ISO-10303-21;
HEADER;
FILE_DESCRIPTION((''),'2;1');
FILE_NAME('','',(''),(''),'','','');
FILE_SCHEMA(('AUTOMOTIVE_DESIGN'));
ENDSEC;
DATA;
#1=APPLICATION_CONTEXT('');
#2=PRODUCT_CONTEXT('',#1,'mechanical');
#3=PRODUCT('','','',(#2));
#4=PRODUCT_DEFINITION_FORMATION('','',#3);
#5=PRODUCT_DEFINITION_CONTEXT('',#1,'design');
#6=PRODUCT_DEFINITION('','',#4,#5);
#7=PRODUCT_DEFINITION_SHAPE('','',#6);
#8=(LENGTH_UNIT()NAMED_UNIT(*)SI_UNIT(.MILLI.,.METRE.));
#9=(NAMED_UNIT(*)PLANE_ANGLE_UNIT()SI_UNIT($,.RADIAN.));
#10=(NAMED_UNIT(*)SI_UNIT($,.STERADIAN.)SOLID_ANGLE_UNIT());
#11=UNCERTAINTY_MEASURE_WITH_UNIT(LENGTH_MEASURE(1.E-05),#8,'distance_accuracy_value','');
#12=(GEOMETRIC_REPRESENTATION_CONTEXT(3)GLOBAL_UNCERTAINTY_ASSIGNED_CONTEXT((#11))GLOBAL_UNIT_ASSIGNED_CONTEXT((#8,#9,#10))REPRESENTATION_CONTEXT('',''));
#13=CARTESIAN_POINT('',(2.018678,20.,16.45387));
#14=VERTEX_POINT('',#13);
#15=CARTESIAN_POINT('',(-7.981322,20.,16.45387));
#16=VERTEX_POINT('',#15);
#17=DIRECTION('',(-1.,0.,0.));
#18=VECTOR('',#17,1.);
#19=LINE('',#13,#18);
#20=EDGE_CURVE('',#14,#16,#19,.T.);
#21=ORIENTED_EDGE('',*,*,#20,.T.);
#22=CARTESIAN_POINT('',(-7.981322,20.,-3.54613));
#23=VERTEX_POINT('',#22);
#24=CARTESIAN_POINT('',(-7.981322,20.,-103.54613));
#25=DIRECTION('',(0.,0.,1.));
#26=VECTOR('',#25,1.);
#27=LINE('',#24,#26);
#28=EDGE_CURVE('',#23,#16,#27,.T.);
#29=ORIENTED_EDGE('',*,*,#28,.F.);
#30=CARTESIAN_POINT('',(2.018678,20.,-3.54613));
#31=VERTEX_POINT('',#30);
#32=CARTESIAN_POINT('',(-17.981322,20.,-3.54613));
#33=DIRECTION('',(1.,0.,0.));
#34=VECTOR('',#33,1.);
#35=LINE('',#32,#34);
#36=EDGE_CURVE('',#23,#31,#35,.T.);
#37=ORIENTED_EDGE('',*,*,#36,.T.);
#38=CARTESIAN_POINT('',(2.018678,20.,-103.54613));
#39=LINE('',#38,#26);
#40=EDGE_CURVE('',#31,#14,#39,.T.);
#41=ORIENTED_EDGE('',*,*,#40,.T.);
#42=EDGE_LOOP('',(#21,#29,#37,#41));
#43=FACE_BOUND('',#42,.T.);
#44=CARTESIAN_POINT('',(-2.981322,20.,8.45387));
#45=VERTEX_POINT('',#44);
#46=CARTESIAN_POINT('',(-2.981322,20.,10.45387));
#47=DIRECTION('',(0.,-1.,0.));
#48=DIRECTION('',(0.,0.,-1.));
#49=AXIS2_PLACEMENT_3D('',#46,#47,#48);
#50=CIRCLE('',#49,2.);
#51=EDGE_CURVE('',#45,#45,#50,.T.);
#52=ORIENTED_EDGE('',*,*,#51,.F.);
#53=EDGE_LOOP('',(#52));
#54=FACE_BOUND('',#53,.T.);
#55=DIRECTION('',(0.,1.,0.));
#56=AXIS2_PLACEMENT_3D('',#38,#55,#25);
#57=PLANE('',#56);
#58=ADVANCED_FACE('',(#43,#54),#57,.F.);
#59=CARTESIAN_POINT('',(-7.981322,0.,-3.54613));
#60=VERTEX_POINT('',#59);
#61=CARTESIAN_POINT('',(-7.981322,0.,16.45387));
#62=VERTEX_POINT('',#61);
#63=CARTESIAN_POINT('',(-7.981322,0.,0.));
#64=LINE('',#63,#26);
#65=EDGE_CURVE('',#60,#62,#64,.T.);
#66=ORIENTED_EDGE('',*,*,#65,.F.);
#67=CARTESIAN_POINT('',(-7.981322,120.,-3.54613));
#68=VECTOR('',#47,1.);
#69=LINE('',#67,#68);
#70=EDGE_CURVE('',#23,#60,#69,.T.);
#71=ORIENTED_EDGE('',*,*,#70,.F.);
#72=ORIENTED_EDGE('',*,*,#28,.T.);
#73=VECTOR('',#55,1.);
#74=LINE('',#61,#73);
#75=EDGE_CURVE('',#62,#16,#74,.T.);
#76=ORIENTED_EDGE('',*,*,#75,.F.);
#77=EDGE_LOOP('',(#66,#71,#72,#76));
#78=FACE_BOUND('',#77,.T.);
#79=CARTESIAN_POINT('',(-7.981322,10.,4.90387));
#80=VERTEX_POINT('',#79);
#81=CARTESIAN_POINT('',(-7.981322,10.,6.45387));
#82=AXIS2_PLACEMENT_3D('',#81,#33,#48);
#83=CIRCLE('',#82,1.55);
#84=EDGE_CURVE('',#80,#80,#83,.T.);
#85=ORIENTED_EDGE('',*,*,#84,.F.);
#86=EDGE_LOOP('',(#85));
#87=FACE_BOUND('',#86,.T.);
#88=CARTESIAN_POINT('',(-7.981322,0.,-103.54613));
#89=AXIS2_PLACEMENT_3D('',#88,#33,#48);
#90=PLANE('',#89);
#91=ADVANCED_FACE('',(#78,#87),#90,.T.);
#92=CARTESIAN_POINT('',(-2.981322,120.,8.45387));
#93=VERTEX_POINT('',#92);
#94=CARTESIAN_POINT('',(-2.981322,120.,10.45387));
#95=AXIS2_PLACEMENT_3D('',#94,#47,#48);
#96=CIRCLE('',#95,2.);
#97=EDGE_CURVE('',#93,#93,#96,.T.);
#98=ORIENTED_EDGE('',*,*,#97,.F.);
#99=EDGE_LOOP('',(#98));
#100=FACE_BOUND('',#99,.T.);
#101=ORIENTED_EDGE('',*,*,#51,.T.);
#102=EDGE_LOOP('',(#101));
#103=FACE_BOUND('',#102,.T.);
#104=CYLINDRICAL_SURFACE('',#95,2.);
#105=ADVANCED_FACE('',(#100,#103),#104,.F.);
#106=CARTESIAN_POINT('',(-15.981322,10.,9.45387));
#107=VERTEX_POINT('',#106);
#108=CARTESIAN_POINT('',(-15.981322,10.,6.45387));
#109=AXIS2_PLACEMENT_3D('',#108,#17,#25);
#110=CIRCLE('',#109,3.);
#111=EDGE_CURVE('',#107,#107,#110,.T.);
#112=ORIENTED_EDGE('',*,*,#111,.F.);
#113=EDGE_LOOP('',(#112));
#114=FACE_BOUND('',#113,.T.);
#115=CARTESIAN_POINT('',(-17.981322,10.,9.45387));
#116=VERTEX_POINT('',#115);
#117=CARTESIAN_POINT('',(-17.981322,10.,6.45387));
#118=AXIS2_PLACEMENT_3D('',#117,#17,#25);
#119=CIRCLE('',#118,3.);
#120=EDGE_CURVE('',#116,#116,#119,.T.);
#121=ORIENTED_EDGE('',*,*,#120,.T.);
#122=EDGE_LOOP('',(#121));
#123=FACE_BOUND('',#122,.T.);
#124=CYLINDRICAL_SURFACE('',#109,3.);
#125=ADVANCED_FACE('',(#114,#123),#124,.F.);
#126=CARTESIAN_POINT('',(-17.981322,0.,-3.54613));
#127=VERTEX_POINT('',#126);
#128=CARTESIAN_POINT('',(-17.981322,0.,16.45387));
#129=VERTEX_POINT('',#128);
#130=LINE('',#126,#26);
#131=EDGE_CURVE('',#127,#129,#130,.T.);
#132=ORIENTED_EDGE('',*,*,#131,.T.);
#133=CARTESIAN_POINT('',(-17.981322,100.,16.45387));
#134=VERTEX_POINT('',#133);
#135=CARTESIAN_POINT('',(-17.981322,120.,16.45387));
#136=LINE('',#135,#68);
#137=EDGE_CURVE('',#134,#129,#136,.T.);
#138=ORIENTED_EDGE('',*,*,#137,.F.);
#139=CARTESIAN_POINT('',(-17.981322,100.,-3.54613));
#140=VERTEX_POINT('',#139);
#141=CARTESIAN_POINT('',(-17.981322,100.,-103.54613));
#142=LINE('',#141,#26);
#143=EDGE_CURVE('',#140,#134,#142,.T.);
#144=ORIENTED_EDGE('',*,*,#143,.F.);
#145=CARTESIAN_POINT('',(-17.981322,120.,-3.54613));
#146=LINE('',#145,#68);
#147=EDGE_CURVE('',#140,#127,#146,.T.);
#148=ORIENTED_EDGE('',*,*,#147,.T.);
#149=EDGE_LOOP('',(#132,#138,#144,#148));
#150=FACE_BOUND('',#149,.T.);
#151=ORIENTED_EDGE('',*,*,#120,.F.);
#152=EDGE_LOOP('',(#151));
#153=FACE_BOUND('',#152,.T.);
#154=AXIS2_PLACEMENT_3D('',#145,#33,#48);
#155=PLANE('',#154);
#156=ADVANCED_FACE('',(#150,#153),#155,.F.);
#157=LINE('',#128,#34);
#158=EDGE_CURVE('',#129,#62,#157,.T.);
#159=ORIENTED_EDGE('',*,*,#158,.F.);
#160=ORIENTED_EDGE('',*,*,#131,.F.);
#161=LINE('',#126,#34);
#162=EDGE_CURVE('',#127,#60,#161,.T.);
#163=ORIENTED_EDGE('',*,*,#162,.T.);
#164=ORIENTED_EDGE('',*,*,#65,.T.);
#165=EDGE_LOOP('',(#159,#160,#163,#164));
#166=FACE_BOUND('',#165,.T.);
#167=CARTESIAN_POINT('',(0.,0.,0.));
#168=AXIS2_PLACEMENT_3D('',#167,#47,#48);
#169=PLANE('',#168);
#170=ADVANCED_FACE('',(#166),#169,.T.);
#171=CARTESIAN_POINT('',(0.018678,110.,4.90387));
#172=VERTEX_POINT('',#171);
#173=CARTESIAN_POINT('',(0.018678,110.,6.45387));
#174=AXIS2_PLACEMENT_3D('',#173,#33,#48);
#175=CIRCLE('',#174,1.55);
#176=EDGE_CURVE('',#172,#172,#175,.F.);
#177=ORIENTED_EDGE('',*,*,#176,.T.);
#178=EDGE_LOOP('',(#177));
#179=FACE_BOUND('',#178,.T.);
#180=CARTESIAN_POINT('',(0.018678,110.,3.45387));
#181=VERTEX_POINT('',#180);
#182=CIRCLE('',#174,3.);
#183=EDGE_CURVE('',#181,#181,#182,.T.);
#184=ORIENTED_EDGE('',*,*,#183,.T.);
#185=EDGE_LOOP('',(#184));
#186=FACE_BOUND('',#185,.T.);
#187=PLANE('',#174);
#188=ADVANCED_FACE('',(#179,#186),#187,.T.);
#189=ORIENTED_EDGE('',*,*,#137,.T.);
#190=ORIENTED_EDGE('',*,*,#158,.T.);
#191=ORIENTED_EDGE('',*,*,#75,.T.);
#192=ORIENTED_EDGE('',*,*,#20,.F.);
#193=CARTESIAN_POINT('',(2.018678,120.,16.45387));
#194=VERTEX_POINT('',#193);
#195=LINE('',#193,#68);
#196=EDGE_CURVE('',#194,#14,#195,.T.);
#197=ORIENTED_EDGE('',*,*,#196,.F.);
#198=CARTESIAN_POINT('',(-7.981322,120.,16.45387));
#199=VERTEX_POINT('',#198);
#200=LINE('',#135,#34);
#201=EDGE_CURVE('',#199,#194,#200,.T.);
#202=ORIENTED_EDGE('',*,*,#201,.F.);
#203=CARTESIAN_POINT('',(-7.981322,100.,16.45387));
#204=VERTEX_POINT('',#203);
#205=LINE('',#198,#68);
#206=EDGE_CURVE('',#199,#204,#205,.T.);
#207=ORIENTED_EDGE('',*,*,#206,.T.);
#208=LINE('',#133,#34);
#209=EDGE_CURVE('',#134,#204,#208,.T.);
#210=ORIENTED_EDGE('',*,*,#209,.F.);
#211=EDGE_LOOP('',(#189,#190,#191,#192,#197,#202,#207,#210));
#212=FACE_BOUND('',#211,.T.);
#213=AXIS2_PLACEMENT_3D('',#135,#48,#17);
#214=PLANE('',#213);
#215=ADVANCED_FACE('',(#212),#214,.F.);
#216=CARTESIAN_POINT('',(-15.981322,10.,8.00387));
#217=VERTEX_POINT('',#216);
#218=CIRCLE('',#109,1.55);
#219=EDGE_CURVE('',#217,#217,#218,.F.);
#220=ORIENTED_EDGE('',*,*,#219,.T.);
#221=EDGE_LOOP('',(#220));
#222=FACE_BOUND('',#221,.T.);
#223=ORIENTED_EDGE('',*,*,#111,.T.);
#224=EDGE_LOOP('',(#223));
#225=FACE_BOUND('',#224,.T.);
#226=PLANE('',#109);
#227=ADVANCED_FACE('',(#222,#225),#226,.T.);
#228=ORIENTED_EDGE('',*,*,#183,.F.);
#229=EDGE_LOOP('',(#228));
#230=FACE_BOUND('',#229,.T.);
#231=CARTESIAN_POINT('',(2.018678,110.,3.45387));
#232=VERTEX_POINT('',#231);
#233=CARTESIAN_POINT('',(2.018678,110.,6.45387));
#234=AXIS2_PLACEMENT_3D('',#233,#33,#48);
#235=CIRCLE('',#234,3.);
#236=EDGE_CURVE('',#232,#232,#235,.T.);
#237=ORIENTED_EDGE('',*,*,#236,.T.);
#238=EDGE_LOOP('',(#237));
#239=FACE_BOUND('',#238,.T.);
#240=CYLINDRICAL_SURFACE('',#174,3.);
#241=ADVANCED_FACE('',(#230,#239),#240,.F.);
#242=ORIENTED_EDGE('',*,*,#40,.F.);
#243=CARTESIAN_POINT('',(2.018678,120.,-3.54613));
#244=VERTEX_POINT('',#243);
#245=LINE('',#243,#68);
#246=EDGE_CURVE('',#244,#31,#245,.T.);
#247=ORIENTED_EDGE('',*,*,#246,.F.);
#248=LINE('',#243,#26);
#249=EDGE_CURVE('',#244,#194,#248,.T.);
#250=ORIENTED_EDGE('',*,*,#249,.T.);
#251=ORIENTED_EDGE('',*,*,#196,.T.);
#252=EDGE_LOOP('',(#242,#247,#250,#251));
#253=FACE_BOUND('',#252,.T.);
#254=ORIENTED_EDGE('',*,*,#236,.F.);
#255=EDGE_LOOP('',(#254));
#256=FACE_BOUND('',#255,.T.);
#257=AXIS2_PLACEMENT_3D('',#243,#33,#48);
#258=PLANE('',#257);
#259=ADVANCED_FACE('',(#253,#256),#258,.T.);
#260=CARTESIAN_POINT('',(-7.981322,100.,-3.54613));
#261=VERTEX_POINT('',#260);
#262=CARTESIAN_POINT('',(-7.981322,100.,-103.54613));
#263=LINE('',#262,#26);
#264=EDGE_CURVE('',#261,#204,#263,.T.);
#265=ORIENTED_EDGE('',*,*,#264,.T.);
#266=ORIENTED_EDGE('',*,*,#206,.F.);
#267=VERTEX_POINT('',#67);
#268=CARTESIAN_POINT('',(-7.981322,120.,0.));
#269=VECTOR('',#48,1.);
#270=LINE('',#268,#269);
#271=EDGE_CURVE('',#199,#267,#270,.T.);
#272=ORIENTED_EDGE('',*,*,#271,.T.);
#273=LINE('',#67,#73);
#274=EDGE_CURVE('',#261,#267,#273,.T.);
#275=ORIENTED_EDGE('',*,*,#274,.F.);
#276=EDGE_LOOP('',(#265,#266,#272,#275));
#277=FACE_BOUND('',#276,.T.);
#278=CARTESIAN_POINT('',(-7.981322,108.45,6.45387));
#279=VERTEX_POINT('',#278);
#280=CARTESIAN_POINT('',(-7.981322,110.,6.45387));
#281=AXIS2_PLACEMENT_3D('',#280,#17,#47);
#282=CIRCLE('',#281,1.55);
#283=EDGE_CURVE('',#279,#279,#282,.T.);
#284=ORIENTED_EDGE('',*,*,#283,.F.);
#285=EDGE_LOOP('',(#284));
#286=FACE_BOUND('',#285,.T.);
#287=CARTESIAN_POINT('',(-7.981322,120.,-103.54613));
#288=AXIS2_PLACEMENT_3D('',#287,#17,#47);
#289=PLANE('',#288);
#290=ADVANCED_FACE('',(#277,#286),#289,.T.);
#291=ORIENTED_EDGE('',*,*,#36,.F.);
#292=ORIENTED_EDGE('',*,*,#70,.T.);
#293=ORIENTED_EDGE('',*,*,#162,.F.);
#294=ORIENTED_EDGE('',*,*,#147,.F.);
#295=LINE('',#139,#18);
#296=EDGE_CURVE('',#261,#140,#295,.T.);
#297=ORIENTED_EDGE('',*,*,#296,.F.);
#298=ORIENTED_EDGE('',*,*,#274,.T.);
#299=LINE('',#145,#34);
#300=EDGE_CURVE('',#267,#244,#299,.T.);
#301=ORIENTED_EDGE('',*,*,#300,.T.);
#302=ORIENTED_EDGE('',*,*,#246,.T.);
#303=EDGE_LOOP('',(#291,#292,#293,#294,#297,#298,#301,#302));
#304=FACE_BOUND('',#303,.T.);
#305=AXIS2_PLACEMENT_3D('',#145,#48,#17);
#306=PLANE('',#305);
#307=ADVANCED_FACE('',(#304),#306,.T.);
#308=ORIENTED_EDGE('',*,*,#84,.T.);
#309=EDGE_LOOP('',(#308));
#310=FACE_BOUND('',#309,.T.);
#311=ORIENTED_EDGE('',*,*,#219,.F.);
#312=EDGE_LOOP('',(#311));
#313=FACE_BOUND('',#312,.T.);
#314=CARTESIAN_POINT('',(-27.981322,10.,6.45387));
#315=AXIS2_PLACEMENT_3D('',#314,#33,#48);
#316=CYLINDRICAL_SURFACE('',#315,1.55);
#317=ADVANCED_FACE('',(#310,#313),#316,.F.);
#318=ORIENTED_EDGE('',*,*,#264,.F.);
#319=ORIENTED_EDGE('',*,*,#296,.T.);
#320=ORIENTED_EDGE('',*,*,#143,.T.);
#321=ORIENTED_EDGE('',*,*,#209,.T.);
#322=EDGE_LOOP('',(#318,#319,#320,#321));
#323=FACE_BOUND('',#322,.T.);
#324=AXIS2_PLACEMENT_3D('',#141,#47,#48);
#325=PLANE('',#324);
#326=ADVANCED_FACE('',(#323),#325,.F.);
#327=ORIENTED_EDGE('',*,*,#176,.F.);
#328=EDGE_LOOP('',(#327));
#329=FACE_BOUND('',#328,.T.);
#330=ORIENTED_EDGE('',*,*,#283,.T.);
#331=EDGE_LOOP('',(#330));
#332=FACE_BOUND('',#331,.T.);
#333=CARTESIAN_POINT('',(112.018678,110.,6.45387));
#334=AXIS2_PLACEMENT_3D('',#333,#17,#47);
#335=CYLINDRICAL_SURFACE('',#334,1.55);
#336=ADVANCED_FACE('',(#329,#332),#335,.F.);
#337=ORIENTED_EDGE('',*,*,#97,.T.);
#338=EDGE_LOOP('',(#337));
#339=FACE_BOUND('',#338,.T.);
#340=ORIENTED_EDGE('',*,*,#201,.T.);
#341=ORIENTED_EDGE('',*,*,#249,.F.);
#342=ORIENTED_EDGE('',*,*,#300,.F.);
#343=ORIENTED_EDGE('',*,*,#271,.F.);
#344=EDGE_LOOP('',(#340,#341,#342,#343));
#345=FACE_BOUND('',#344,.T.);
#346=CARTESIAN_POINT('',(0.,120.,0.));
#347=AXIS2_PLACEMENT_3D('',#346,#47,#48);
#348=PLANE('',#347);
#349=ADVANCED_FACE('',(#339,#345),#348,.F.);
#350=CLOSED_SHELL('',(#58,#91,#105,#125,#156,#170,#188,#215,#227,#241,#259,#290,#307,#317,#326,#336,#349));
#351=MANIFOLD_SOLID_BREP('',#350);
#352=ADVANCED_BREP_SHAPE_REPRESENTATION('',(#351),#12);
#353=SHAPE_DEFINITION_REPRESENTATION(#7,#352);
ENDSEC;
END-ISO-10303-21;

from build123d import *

# Parameters (mm, degrees)
SKETCH_1_W          = 20
SKETCH_1_H          = 20
EXTRUDE_1_DEPTH     = 120
SKETCH_2_W          = 10
SKETCH_2_H          = 20
CUT_EXTRUDE_1_DEPTH = 120
SKETCH_3_W          = 10
SKETCH_3_H          = 20
CUT_EXTRUDE_2_DEPTH = 120
CUT_EXTRUDE_3_DEPTH = 120
SKETCH_5_R          = 3
CUT_EXTRUDE_4_DEPTH = 2
CUT_EXTRUDE_5_DEPTH = 20
SKETCH_7_R          = 3
CUT_EXTRUDE_6_DEPTH = 2
SKETCH_8_R          = 2
CUT_EXTRUDE_7_DEPTH = 100


with BuildPart() as part:
    # 草图1 → 凸台-拉伸1 (new body)
    with BuildSketch(Plane(origin=(0, 0, 0), x_dir=(1, 0, 0), z_dir=(0, 1, 0))):
        with Locations((-7.981321578, -6.453869679)):
            Rectangle(SKETCH_1_W, SKETCH_1_H)
    extrude(amount=EXTRUDE_1_DEPTH)

    # 草图2 → 切除-拉伸1 (cut)
    with BuildSketch(Plane.XY.offset(16.453869679)):
        with Locations((-12.981321578, 110)):
            Rectangle(SKETCH_2_W, SKETCH_2_H)
    extrude(amount=-CUT_EXTRUDE_1_DEPTH, mode=Mode.SUBTRACT)

    # 草图3 → 切除-拉伸2 (cut)
    with BuildSketch(Plane.XY.offset(16.453869679)):
        with Locations((-2.981321578, 10)):
            Rectangle(SKETCH_3_W, SKETCH_3_H)
    extrude(amount=-CUT_EXTRUDE_2_DEPTH, mode=Mode.SUBTRACT)

    # 草图4 → 切除-拉伸3 (cut)
    with BuildSketch(Plane.ZY.offset(7.981321578)):
        with BuildLine():
            ThreePointArc((8.003869679, 110), (7.047028999, 111.432013275), (5.357854168, 111.096015511))
            Line((5.357854168, 111.096015511), (7.549885189, 108.903984489))
            ThreePointArc((7.549885189, 108.903984489), (7.885882954, 109.40684068), (8.003869679, 110))
        make_face()
        with BuildLine():
            Line((7.549885189, 108.903984489), (5.357854168, 111.096015511))
            ThreePointArc((5.357854168, 111.096015511), (5.357854168, 108.903984489), (7.549885189, 108.903984489))
        make_face()
    extrude(amount=-CUT_EXTRUDE_3_DEPTH, mode=Mode.SUBTRACT)

    # 草图5 → 切除-拉伸4 (cut)
    with BuildSketch(Plane(origin=(2.018678422, 0, 0), x_dir=(0, 0, -1), z_dir=(1, 0, 0))):
        with Locations((-6.453869679, 110)):
            Circle(SKETCH_5_R)
    extrude(amount=-CUT_EXTRUDE_4_DEPTH, mode=Mode.SUBTRACT)

    # 草图6 → 切除-拉伸5 (cut)
    with BuildSketch(Plane(origin=(-7.981321578, 0, 0), x_dir=(0, 0, -1), z_dir=(1, 0, 0))):
        with BuildLine():
            ThreePointArc((-4.903869679, 10), (-5.860710358, 11.432013275), (-7.549885189, 11.096015511))
            Line((-7.549885189, 11.096015511), (-5.357854168, 8.903984489))
            ThreePointArc((-5.357854168, 8.903984489), (-5.021856403, 9.40684068), (-4.903869679, 10))
        make_face()
        with BuildLine():
            Line((-5.357854168, 8.903984489), (-7.549885189, 11.096015511))
            ThreePointArc((-7.549885189, 11.096015511), (-7.549885189, 8.903984489), (-5.357854168, 8.903984489))
        make_face()
    extrude(amount=-CUT_EXTRUDE_5_DEPTH, mode=Mode.SUBTRACT)

    # 草图7 → 切除-拉伸6 (cut)
    with BuildSketch(Plane.ZY.offset(17.981321578)):
        with Locations((6.453869679, 10)):
            Circle(SKETCH_7_R)
    extrude(amount=-CUT_EXTRUDE_6_DEPTH, mode=Mode.SUBTRACT)

    # 草图8 → 切除-拉伸7 (cut)
    with BuildSketch(Plane.XZ.offset(-20)):
        with Locations(Location((-2.981321578, 10.453869679, 0), (0, 0, 270))):
            Circle(SKETCH_8_R)
    extrude(amount=-CUT_EXTRUDE_7_DEPTH, mode=Mode.SUBTRACT)


solid = part.part
